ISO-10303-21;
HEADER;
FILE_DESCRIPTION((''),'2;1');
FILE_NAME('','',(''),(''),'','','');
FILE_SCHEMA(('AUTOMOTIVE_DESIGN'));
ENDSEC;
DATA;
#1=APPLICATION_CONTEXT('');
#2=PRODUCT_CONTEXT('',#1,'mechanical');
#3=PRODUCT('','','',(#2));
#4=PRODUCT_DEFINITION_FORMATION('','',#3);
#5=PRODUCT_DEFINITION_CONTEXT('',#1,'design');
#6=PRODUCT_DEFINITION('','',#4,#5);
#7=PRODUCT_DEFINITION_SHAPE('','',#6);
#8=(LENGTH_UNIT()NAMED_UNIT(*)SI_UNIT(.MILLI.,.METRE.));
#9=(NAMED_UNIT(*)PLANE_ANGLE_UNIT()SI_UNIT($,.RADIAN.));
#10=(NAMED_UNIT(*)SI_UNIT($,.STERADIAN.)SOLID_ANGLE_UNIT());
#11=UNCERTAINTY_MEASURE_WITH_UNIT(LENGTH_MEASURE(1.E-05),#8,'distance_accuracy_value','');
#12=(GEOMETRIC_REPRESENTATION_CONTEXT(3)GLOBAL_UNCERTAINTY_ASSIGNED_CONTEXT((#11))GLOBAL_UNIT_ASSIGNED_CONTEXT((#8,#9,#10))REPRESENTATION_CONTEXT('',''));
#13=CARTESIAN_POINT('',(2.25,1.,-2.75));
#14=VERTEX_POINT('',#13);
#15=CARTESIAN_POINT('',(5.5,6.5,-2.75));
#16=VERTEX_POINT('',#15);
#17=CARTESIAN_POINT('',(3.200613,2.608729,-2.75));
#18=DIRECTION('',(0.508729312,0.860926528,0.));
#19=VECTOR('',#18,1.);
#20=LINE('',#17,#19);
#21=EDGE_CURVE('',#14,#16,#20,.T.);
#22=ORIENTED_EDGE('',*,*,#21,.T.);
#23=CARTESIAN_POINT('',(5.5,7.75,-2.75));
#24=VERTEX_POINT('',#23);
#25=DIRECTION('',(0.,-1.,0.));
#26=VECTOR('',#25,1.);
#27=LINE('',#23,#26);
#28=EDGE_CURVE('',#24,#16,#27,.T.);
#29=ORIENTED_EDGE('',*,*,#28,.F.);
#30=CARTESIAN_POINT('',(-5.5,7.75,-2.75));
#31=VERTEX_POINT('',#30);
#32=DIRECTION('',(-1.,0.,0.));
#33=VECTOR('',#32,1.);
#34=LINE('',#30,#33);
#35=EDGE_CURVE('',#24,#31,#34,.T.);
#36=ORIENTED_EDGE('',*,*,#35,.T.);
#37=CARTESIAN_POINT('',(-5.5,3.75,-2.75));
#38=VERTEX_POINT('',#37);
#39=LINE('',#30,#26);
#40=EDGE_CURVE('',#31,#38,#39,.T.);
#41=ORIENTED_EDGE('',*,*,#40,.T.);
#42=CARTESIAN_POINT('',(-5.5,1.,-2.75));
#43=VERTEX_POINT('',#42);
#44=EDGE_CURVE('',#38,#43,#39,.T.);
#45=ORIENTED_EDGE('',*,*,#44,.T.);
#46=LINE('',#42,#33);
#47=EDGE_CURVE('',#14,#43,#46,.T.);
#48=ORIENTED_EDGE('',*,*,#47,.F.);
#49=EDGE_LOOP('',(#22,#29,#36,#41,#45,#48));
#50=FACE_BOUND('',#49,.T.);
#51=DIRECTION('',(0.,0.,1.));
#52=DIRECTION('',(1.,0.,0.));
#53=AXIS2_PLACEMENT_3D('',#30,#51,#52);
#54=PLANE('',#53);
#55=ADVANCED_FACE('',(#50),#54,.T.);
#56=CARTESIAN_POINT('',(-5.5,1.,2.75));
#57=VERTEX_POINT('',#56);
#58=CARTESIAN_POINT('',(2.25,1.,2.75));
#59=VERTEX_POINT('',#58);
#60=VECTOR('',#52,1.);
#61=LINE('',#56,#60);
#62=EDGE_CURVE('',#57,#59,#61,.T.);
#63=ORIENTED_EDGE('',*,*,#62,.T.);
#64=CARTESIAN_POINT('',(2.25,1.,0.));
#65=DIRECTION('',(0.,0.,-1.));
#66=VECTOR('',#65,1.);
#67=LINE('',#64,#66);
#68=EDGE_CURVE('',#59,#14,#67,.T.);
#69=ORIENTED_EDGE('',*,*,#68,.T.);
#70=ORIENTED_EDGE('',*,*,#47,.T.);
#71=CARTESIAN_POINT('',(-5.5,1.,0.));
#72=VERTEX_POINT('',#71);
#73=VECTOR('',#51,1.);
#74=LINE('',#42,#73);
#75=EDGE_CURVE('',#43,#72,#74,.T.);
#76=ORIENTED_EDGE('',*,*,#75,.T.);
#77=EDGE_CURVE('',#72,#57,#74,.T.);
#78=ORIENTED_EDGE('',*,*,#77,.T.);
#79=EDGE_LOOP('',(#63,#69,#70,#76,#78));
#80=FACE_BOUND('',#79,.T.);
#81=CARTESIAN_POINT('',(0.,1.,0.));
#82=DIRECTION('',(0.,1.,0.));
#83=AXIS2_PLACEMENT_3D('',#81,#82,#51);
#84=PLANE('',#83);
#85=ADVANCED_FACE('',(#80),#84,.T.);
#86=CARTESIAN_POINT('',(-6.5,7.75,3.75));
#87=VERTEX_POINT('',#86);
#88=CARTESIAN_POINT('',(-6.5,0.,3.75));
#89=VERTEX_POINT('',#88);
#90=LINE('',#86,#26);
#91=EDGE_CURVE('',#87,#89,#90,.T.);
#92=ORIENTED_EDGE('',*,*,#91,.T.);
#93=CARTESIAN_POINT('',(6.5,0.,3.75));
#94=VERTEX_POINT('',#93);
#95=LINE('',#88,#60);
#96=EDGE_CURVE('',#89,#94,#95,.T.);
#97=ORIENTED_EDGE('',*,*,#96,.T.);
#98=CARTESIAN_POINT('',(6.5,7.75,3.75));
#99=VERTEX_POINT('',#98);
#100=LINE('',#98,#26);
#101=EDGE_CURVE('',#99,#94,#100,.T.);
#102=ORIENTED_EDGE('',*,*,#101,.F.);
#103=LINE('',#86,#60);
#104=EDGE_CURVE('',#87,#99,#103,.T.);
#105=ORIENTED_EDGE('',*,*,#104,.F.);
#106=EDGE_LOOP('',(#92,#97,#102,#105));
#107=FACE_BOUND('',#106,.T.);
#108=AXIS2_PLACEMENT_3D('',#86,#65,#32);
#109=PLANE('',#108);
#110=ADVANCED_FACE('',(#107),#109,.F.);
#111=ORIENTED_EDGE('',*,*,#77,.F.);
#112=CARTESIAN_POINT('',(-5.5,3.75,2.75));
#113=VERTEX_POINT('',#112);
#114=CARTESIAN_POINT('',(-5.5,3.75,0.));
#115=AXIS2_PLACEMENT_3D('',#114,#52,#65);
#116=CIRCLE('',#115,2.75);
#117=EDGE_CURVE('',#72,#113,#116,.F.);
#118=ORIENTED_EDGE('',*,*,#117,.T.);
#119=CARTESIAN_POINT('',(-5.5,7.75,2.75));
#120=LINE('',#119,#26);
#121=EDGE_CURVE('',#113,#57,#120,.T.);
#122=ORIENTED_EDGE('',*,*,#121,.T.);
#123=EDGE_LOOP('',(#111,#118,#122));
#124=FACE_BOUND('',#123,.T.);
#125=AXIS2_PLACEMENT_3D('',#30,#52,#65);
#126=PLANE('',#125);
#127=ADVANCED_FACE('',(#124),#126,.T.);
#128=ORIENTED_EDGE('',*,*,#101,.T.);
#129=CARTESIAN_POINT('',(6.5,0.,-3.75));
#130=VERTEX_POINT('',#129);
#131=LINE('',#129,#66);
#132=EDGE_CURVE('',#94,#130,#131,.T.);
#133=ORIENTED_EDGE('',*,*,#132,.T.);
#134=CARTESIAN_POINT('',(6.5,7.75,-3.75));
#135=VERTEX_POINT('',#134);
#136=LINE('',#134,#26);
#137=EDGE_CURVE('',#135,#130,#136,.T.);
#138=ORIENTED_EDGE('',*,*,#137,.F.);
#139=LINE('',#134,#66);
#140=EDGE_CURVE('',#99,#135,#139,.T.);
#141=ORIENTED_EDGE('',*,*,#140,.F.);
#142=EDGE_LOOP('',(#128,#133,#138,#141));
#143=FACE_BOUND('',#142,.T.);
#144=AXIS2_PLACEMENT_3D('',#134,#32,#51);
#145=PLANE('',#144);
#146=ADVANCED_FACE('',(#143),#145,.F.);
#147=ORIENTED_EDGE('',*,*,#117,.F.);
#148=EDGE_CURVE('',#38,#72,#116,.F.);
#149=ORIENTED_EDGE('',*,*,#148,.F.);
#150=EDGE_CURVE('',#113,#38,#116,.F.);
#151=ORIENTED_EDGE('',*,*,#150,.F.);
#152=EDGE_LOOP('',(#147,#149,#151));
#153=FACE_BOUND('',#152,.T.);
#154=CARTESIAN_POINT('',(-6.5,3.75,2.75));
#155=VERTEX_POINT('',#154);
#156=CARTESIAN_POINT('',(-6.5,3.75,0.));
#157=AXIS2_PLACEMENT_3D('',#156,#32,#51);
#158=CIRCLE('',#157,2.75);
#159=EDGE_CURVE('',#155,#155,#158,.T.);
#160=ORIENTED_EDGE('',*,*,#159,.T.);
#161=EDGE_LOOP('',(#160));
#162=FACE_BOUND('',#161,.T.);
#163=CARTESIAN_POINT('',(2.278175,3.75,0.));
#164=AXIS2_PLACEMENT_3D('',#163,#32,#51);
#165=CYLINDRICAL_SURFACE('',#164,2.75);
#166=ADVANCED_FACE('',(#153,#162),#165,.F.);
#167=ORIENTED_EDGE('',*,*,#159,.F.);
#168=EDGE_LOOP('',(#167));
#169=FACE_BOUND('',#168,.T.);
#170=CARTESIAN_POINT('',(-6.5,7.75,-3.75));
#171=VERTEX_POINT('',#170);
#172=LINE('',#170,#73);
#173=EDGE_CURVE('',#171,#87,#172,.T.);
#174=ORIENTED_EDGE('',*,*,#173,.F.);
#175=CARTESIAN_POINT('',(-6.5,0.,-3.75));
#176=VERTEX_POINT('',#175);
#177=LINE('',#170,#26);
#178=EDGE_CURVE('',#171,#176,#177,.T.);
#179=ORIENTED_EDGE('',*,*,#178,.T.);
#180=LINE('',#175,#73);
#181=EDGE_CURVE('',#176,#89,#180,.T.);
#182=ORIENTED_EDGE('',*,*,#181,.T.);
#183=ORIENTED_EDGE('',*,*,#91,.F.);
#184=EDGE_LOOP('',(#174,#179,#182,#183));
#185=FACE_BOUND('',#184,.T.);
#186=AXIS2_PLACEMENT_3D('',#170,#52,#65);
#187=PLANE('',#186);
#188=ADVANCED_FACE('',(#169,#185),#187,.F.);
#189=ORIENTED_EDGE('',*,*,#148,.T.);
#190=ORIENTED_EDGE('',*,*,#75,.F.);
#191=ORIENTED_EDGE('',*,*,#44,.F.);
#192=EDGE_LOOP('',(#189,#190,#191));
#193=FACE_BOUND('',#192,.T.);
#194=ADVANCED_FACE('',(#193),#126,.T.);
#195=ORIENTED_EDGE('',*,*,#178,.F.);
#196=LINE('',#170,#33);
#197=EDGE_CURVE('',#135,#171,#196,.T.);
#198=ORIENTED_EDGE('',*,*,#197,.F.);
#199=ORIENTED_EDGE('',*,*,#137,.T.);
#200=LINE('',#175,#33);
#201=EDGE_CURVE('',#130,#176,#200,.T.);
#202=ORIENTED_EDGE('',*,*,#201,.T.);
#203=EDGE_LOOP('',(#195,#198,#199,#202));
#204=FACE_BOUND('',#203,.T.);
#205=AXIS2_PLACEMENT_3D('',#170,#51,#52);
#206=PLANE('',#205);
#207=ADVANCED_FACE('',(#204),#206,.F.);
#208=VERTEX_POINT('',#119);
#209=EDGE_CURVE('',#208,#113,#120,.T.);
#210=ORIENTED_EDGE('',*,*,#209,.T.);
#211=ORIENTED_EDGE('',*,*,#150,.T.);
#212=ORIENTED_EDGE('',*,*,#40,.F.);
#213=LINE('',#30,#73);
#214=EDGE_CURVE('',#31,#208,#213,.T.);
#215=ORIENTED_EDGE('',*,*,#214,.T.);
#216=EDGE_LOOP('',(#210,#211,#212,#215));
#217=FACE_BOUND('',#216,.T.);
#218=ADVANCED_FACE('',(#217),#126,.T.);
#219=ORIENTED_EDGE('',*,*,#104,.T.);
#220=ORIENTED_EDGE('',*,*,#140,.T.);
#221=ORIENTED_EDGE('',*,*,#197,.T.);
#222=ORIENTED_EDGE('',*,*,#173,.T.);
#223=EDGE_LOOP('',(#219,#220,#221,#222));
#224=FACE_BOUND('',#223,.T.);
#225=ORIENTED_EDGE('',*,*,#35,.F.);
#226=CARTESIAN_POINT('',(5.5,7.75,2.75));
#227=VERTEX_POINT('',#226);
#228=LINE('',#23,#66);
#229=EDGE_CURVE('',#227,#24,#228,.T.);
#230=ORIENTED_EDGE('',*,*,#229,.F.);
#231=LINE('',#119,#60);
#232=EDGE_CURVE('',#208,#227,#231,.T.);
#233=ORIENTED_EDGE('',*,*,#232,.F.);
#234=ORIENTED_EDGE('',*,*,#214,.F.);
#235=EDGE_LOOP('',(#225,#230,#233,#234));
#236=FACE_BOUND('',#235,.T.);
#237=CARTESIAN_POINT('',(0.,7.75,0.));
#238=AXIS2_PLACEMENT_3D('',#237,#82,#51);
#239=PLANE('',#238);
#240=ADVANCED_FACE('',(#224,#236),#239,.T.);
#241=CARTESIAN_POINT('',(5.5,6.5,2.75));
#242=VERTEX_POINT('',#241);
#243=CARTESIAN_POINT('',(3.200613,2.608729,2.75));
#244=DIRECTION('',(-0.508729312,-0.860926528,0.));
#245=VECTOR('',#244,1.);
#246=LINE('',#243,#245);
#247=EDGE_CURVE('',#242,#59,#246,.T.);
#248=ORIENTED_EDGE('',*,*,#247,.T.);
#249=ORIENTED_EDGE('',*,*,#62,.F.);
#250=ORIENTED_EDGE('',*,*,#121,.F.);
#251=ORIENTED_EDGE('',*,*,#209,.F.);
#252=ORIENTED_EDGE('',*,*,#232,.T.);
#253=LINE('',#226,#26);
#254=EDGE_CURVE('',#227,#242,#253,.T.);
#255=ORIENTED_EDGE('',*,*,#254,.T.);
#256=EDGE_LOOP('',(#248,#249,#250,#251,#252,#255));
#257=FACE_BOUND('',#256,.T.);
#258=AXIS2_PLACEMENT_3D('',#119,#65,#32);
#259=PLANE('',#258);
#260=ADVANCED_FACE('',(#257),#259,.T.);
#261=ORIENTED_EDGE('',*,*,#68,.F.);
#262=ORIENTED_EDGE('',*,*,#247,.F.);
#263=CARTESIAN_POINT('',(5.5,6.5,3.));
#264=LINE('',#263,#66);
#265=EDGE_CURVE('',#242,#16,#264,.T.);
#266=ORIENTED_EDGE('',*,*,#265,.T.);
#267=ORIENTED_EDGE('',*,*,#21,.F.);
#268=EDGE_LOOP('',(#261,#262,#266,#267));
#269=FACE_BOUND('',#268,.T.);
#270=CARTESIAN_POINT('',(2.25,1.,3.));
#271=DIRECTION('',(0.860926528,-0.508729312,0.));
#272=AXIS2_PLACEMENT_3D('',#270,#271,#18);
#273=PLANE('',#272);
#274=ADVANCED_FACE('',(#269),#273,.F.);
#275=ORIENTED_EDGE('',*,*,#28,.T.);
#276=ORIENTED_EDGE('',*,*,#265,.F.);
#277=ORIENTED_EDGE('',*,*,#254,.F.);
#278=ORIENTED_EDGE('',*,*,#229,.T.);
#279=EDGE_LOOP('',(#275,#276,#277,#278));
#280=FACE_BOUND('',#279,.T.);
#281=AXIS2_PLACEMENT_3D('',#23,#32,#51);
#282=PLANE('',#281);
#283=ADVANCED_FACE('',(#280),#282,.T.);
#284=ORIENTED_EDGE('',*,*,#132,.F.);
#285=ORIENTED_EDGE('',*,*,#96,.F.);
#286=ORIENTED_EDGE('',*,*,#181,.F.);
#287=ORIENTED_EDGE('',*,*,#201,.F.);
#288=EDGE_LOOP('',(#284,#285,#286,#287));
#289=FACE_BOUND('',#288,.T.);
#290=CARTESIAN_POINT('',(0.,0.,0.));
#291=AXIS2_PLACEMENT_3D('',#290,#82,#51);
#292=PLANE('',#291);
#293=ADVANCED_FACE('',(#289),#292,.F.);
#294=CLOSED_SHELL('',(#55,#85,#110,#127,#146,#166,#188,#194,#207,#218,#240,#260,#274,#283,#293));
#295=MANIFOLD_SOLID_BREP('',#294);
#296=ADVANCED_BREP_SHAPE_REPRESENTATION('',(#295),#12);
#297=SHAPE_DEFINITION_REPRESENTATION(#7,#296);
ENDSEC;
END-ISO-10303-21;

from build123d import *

# Parameters (mm, degrees)
SKETCH1_W           = 13
SKETCH1_H           = 7.5
SKETCH1_W_2         = 11
SKETCH1_H_2         = 5.5
BOSS_EXTRUDE1_DEPTH = 7.75
SKETCH2_R           = 2.75
CUT_EXTRUDE1_DEPTH  = 1
SKETCH3_W           = 13
SKETCH3_H           = 7.5
BOSS_EXTRUDE2_DEPTH = 1
BOSS_EXTRUDE3_DEPTH = 3


with BuildPart() as part:
    # Sketch1 → Boss-Extrude1 (new body)
    with BuildSketch(Plane(origin=(0, 0, 0), x_dir=(1, 0, 0), z_dir=(0, 1, 0))):
        Rectangle(SKETCH1_W, SKETCH1_H)
        Rectangle(SKETCH1_W_2, SKETCH1_H_2, mode=Mode.SUBTRACT)
    extrude(amount=BOSS_EXTRUDE1_DEPTH)

    # Sketch2 → Cut-Extrude1 (cut)
    with BuildSketch(Plane.ZY.offset(6.5)):
        with Locations((0, 3.75)):
            Circle(SKETCH2_R)
    extrude(amount=-CUT_EXTRUDE1_DEPTH, mode=Mode.SUBTRACT)

    # Sketch3 → Boss-Extrude2 (add)
    with BuildSketch(Plane.XZ):
        Rectangle(SKETCH3_W, SKETCH3_H)
    extrude(amount=-BOSS_EXTRUDE2_DEPTH)

    # Sketch4 → Boss-Extrude3 (add, symmetric)
    with BuildSketch(Plane.XY):
        Polygon((2.25, 1), (5.5, 6.5), (5.5, 1), align=None)
    extrude(amount=BOSS_EXTRUDE3_DEPTH, both=True)


solid = part.part
